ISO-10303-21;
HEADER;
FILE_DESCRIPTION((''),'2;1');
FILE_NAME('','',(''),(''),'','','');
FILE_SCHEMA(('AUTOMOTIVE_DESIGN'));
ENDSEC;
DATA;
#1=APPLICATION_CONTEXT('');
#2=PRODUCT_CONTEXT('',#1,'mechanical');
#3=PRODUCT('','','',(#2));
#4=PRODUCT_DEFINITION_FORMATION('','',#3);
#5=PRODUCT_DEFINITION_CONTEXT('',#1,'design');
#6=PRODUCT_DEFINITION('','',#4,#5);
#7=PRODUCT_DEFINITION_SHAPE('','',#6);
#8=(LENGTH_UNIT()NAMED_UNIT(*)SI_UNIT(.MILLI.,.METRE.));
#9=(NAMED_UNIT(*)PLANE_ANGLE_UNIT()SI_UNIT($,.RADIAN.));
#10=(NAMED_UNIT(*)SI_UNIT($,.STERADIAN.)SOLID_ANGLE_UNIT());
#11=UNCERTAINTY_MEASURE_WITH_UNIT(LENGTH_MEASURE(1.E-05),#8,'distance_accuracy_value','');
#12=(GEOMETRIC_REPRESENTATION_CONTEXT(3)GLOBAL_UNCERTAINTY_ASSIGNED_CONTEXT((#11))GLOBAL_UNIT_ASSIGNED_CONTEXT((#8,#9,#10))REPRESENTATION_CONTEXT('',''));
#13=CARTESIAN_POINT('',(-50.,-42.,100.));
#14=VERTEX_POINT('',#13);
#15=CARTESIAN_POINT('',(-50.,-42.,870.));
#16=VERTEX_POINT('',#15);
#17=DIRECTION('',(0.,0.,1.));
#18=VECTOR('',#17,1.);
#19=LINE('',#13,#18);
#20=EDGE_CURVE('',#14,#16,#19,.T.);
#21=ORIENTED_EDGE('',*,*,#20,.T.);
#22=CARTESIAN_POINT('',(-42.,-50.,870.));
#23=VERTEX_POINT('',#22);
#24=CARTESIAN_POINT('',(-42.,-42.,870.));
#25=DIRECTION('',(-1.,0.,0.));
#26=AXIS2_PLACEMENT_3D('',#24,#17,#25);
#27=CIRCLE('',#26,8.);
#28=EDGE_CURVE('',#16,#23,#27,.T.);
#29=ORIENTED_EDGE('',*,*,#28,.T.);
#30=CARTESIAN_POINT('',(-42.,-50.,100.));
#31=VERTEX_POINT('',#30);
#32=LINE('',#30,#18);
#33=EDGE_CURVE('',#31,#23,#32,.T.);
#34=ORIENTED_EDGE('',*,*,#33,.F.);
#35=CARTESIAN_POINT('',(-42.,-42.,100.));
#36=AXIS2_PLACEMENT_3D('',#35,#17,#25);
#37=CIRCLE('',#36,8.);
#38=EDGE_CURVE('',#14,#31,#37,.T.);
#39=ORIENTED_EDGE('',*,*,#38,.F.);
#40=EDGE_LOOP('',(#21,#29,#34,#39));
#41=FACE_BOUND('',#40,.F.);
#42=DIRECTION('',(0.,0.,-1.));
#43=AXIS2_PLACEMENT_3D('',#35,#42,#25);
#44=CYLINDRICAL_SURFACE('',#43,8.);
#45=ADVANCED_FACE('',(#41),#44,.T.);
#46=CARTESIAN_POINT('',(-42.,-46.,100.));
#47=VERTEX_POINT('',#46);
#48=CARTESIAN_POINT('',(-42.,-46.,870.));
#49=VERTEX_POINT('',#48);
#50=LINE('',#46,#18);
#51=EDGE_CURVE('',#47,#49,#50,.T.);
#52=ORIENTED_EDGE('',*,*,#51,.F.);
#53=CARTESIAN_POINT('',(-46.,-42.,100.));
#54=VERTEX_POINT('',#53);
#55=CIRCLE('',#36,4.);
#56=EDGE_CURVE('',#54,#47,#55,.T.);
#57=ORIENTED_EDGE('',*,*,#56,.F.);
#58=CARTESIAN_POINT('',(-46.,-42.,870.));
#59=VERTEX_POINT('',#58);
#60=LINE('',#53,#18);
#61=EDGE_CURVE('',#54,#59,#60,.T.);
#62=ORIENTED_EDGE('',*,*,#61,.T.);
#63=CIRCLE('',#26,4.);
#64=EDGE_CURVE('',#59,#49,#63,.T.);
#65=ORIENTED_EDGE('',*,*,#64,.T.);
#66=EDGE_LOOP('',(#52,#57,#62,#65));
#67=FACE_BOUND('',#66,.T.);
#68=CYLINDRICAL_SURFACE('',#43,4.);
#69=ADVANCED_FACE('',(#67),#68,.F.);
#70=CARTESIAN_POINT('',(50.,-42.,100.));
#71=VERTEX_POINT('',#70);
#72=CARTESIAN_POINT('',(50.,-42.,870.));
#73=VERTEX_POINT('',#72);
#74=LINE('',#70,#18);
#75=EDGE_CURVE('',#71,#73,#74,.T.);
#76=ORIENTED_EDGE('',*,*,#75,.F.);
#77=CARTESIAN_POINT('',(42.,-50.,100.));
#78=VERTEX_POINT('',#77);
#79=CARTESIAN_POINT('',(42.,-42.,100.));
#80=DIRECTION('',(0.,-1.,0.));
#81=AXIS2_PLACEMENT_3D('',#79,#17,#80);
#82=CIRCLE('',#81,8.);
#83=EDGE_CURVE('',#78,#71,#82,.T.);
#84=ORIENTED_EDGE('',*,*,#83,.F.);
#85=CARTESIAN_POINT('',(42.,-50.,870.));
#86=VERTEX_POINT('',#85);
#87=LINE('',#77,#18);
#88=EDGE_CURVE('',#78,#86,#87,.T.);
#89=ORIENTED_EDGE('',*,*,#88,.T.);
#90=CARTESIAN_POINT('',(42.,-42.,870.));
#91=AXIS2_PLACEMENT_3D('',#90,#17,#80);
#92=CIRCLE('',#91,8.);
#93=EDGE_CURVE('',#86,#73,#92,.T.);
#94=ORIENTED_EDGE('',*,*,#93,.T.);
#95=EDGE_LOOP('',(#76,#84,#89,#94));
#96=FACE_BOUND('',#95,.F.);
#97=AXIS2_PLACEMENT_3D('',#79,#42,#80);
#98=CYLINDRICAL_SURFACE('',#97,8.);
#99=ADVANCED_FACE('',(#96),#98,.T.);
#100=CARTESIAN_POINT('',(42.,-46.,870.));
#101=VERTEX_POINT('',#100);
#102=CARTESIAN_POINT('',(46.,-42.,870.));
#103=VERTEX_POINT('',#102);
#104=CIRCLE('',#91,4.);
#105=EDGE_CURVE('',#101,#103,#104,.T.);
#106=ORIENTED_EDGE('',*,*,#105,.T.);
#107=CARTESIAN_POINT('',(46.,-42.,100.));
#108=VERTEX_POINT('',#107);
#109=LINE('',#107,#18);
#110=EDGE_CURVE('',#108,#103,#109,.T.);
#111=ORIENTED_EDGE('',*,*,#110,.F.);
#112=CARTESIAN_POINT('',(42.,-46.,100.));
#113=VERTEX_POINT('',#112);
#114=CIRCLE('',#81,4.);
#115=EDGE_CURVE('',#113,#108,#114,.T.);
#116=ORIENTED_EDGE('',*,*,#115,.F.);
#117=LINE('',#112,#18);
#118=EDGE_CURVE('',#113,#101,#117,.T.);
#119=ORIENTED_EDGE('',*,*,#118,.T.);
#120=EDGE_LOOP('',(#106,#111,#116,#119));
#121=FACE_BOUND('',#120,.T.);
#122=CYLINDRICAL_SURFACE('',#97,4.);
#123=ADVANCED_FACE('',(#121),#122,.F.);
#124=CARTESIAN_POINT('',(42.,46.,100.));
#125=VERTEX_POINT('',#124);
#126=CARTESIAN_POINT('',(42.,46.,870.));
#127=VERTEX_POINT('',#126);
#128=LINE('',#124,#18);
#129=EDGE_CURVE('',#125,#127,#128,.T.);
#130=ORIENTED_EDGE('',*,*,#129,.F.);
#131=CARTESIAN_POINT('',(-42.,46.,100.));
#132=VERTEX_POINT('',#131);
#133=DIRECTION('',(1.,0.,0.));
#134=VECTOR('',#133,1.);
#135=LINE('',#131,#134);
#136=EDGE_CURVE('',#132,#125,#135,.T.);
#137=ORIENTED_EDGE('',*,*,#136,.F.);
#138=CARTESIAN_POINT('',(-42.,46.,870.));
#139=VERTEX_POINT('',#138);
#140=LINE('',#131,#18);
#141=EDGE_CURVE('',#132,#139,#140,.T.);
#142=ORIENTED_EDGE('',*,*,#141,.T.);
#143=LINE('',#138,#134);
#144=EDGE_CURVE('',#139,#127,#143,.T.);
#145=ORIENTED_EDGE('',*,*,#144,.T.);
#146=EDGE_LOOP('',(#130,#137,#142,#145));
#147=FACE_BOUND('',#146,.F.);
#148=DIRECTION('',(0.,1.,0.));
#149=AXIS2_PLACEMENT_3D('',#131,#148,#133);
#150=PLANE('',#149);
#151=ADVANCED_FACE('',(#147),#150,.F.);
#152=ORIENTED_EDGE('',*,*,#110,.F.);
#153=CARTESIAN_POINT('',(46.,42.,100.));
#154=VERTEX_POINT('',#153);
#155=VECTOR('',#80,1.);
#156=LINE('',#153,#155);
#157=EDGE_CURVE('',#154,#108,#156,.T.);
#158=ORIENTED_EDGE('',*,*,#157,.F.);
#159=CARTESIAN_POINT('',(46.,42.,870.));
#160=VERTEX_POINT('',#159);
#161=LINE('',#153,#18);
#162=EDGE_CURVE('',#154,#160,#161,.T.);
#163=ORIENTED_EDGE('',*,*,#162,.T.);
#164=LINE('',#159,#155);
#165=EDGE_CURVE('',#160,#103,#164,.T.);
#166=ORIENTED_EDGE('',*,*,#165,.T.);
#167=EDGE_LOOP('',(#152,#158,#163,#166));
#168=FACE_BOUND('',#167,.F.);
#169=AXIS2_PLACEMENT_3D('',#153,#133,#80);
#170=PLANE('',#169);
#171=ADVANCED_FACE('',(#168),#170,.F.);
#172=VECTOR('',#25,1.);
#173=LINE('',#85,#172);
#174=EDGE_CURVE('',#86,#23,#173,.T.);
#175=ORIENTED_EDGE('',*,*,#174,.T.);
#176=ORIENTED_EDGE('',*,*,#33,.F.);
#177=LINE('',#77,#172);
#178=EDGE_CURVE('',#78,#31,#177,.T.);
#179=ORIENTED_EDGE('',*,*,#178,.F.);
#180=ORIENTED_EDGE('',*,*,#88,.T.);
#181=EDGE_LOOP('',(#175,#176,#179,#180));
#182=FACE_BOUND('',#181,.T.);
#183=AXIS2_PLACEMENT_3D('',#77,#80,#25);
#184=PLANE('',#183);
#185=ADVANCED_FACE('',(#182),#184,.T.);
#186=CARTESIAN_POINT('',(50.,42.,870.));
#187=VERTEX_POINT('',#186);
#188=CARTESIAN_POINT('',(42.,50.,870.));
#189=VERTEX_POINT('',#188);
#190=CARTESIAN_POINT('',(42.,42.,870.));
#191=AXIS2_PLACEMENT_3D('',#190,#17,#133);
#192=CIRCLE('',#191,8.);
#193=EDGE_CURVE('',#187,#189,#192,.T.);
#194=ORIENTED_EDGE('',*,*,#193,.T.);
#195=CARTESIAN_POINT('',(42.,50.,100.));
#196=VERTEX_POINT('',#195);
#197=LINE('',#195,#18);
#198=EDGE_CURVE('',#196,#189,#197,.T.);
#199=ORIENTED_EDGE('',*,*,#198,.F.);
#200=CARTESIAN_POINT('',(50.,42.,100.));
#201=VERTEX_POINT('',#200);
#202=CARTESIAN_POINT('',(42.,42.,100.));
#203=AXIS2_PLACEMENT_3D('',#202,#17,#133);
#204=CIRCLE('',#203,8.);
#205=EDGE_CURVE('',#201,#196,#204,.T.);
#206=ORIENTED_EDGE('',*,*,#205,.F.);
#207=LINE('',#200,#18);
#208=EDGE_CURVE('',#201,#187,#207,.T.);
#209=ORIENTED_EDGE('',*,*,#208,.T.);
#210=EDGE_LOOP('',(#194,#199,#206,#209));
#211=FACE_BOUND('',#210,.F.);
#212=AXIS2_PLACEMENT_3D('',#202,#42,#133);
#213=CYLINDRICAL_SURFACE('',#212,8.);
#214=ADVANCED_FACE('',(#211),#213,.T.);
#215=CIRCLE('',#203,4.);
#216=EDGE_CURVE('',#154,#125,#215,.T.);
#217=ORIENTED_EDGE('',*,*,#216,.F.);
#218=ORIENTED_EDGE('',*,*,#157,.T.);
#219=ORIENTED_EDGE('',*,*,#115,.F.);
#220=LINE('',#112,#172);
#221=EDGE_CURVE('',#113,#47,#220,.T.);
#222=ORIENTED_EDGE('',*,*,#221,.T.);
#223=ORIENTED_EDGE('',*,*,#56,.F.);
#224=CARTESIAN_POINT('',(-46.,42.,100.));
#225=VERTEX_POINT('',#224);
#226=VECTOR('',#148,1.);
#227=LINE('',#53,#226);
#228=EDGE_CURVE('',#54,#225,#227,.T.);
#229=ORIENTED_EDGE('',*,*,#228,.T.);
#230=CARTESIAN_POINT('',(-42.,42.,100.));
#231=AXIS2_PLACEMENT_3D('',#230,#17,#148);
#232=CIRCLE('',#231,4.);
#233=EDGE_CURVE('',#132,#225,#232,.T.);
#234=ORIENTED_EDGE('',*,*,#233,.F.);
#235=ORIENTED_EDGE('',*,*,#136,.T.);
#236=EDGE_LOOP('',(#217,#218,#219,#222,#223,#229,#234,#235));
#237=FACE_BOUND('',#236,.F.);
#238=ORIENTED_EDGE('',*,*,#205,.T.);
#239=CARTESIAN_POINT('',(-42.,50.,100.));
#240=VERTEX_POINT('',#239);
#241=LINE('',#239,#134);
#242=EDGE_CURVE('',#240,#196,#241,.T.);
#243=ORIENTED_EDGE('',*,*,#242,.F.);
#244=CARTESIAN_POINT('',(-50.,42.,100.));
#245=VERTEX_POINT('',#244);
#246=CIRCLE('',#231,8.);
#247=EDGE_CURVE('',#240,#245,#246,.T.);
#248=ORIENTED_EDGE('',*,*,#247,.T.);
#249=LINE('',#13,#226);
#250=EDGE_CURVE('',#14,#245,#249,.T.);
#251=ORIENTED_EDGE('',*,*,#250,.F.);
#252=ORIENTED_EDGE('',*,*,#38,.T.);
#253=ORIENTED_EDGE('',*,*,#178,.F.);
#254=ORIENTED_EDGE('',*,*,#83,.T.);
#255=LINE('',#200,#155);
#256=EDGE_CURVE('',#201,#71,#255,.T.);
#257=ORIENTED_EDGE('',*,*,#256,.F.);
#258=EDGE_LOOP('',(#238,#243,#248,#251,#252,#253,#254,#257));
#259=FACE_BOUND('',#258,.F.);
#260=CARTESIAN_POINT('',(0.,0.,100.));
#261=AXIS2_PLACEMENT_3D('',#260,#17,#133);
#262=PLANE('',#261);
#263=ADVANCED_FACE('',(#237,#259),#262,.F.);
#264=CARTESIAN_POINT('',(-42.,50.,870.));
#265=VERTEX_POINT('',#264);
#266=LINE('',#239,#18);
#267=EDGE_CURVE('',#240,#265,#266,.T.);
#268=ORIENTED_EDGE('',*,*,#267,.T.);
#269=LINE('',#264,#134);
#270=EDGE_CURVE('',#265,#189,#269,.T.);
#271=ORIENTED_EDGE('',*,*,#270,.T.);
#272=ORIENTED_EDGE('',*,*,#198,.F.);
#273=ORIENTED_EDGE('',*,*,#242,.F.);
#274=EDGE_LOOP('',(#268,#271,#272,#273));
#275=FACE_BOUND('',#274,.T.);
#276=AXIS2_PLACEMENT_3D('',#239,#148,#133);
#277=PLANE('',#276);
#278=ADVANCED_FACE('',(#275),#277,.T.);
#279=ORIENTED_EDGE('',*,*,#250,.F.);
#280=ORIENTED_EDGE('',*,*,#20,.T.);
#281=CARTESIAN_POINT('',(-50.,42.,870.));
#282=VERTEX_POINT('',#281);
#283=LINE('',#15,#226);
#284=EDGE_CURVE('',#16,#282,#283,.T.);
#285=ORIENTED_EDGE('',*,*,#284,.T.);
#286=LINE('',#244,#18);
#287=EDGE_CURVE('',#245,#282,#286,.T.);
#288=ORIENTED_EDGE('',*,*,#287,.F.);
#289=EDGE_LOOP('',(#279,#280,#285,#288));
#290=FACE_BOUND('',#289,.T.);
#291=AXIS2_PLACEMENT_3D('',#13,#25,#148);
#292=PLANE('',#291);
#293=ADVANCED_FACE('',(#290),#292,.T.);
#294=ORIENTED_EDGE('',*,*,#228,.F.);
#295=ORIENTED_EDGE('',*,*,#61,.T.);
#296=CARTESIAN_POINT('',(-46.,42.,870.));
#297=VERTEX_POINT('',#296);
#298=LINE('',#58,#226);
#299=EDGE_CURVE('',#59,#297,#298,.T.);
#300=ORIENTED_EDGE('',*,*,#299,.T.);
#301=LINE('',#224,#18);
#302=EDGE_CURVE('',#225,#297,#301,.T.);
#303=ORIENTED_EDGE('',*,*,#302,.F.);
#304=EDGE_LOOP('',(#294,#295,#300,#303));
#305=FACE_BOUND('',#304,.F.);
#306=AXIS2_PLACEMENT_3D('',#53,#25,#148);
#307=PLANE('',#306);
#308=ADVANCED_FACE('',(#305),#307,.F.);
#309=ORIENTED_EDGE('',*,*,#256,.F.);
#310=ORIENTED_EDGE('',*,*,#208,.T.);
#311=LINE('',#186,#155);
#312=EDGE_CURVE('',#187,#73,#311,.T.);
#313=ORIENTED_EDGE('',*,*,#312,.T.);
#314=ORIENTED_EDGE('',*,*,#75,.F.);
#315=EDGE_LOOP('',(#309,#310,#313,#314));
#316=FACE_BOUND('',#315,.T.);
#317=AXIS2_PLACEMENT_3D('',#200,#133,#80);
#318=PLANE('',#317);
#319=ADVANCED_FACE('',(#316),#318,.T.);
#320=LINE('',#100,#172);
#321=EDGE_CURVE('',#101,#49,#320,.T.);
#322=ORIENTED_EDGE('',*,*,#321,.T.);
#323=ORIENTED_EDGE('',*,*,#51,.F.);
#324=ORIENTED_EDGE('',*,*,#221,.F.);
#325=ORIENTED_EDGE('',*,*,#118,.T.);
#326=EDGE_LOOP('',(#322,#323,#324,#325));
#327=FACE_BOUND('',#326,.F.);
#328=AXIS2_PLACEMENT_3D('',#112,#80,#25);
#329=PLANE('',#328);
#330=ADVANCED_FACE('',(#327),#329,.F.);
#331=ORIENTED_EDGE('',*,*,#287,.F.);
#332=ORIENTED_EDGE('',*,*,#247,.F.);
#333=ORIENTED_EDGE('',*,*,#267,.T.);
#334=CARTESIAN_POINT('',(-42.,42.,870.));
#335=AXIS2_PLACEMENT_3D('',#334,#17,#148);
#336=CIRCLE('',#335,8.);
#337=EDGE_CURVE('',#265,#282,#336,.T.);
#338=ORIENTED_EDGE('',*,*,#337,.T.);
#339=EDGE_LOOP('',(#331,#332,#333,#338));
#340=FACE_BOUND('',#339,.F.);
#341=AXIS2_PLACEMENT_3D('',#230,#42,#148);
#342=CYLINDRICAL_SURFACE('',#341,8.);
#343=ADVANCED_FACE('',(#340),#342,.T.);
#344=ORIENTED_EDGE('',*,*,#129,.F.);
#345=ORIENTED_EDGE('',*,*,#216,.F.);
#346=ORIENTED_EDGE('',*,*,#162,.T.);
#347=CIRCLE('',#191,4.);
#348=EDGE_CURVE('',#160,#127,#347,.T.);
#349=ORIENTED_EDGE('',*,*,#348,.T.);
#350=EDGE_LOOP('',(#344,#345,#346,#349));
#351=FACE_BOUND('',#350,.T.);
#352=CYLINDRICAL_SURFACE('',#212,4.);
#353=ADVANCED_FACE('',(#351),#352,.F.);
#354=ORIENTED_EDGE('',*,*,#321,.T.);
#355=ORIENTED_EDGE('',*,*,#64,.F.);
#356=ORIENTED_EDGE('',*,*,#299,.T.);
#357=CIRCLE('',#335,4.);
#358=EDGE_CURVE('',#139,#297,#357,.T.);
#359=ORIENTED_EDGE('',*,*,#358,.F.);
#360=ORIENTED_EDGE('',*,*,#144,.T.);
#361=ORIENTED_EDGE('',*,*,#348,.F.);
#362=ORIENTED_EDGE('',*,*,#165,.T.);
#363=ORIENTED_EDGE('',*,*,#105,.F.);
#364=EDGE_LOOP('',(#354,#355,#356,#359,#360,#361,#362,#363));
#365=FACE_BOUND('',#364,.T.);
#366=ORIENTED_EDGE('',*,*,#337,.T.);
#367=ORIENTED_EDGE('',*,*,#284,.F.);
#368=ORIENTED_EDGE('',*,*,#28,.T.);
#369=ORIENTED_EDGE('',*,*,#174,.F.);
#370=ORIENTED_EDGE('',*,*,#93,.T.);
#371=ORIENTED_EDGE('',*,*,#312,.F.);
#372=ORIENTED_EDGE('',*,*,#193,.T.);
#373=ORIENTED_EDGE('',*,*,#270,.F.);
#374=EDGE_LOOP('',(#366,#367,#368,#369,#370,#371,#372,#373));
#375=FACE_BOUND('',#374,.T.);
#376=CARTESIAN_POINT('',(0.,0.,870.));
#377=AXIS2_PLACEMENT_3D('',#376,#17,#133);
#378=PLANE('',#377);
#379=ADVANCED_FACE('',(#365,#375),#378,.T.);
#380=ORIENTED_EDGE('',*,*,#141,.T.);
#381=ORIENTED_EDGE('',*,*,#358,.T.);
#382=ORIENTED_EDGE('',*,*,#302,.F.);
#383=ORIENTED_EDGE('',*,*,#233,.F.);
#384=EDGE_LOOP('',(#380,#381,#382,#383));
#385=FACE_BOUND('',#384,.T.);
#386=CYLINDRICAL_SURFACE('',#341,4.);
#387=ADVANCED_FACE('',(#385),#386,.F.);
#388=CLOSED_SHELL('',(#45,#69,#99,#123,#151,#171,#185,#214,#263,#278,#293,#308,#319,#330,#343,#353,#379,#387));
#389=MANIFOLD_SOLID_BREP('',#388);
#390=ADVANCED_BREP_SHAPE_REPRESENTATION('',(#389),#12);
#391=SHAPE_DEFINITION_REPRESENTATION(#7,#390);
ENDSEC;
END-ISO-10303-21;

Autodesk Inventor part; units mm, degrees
ref_plane "YZ Plane" through (0, 0, 0) normal (1, 0, 0) x (0, 1, 0)
ref_plane "Start Plane" through (0, 0, 100) normal (0, 0, 1) x (1, 0, 0)
ref_plane "End Plane" through (0, 0, 870) normal (0, 0, 1) x (1, 0, 0)
sketch "Sketch" plane through (0, 0, 0) normal (0, 0, 1) x (1, 0, 0)
  line L0 (-50, -42) -> (-50, 42)
  line L1 (-42, 50) -> (42, 50)
  line L2 (50, 42) -> (50, -42)
  line L3 (42, -50) -> (-42, -50)
  arc A0 (-50, -42) -> (-42, -50) centre (-42, -42) ccw
  arc A1 (50, 42) -> (42, 50) centre (42, 42) ccw
  arc A2 (-42, 50) -> (-50, 42) centre (-42, 42) ccw
  arc A3 (42, -50) -> (50, -42) centre (42, -42) ccw
  arc A4 (-42, 46) -> (-46, 42) centre (-42, 42) ccw
  line L4 (-42, 46) -> (42, 46)
  arc A5 (46, 42) -> (42, 46) centre (42, 42) ccw
  line L5 (46, 42) -> (46, -42)
  arc A6 (42, -46) -> (46, -42) centre (42, -42) ccw
  line L6 (42, -46) -> (-42, -46)
  arc A7 (-46, -42) -> (-42, -46) centre (-42, -42) ccw
  line L7 (-46, -42) -> (-46, 42)
  line L8 (0, 72.3196) -> (0, -72.3196) construction
  line L9 (-72.3196, 0) -> (72.3196, 0) construction
  dimension "d7" = 8
  dimension "d9" = 100
  dimension "d11" = 100
  dimension "d12" = 4
  dimension "d15" = 50
  dimension "d16" = 50
extrude "Body" add sketch "Sketch" along normal up to surface (770 mm away) from surface at 100
sketch "Sketch3" plane through (0, 0, 0) normal (0, 0, 1) x (1, 0, 0)
  line L0 (0, 0) -> (10, 0)
ref_plane "Work Plane3" through (0, 0, 0) normal (0, -1, 0) x (1, 0, 0)
sketch "Sketch4" plane through (0, 0, 0) normal (0, -1, 0) x (1, 0, 0)
  line L0 (-2, 100) -> (12, 100) projected
  line L1 (-2, 870) -> (12, 870) projected
  dimension "d18" = 770
equation "\"d7\" = G_IR"
equation "\"d9\" = G_W"
equation "\"d11\" = G_H"
equation "\"d12\" = G_T"
equation "\"d15\" = 0.5 * d9"
equation "\"d16\" = 0.5 * d11"
equation "\"d3\" = G_L"
equation "\"G_W\" = 100"
equation "\"G_H\" = 100"
equation "\"G_T\" = 4"
equation "\"G_IR\" = 8"
equation "\"G_L\" = d18"
properties part number "ISO 10799-2 - 100x100x4 - 770" material "Steel, Mild"
